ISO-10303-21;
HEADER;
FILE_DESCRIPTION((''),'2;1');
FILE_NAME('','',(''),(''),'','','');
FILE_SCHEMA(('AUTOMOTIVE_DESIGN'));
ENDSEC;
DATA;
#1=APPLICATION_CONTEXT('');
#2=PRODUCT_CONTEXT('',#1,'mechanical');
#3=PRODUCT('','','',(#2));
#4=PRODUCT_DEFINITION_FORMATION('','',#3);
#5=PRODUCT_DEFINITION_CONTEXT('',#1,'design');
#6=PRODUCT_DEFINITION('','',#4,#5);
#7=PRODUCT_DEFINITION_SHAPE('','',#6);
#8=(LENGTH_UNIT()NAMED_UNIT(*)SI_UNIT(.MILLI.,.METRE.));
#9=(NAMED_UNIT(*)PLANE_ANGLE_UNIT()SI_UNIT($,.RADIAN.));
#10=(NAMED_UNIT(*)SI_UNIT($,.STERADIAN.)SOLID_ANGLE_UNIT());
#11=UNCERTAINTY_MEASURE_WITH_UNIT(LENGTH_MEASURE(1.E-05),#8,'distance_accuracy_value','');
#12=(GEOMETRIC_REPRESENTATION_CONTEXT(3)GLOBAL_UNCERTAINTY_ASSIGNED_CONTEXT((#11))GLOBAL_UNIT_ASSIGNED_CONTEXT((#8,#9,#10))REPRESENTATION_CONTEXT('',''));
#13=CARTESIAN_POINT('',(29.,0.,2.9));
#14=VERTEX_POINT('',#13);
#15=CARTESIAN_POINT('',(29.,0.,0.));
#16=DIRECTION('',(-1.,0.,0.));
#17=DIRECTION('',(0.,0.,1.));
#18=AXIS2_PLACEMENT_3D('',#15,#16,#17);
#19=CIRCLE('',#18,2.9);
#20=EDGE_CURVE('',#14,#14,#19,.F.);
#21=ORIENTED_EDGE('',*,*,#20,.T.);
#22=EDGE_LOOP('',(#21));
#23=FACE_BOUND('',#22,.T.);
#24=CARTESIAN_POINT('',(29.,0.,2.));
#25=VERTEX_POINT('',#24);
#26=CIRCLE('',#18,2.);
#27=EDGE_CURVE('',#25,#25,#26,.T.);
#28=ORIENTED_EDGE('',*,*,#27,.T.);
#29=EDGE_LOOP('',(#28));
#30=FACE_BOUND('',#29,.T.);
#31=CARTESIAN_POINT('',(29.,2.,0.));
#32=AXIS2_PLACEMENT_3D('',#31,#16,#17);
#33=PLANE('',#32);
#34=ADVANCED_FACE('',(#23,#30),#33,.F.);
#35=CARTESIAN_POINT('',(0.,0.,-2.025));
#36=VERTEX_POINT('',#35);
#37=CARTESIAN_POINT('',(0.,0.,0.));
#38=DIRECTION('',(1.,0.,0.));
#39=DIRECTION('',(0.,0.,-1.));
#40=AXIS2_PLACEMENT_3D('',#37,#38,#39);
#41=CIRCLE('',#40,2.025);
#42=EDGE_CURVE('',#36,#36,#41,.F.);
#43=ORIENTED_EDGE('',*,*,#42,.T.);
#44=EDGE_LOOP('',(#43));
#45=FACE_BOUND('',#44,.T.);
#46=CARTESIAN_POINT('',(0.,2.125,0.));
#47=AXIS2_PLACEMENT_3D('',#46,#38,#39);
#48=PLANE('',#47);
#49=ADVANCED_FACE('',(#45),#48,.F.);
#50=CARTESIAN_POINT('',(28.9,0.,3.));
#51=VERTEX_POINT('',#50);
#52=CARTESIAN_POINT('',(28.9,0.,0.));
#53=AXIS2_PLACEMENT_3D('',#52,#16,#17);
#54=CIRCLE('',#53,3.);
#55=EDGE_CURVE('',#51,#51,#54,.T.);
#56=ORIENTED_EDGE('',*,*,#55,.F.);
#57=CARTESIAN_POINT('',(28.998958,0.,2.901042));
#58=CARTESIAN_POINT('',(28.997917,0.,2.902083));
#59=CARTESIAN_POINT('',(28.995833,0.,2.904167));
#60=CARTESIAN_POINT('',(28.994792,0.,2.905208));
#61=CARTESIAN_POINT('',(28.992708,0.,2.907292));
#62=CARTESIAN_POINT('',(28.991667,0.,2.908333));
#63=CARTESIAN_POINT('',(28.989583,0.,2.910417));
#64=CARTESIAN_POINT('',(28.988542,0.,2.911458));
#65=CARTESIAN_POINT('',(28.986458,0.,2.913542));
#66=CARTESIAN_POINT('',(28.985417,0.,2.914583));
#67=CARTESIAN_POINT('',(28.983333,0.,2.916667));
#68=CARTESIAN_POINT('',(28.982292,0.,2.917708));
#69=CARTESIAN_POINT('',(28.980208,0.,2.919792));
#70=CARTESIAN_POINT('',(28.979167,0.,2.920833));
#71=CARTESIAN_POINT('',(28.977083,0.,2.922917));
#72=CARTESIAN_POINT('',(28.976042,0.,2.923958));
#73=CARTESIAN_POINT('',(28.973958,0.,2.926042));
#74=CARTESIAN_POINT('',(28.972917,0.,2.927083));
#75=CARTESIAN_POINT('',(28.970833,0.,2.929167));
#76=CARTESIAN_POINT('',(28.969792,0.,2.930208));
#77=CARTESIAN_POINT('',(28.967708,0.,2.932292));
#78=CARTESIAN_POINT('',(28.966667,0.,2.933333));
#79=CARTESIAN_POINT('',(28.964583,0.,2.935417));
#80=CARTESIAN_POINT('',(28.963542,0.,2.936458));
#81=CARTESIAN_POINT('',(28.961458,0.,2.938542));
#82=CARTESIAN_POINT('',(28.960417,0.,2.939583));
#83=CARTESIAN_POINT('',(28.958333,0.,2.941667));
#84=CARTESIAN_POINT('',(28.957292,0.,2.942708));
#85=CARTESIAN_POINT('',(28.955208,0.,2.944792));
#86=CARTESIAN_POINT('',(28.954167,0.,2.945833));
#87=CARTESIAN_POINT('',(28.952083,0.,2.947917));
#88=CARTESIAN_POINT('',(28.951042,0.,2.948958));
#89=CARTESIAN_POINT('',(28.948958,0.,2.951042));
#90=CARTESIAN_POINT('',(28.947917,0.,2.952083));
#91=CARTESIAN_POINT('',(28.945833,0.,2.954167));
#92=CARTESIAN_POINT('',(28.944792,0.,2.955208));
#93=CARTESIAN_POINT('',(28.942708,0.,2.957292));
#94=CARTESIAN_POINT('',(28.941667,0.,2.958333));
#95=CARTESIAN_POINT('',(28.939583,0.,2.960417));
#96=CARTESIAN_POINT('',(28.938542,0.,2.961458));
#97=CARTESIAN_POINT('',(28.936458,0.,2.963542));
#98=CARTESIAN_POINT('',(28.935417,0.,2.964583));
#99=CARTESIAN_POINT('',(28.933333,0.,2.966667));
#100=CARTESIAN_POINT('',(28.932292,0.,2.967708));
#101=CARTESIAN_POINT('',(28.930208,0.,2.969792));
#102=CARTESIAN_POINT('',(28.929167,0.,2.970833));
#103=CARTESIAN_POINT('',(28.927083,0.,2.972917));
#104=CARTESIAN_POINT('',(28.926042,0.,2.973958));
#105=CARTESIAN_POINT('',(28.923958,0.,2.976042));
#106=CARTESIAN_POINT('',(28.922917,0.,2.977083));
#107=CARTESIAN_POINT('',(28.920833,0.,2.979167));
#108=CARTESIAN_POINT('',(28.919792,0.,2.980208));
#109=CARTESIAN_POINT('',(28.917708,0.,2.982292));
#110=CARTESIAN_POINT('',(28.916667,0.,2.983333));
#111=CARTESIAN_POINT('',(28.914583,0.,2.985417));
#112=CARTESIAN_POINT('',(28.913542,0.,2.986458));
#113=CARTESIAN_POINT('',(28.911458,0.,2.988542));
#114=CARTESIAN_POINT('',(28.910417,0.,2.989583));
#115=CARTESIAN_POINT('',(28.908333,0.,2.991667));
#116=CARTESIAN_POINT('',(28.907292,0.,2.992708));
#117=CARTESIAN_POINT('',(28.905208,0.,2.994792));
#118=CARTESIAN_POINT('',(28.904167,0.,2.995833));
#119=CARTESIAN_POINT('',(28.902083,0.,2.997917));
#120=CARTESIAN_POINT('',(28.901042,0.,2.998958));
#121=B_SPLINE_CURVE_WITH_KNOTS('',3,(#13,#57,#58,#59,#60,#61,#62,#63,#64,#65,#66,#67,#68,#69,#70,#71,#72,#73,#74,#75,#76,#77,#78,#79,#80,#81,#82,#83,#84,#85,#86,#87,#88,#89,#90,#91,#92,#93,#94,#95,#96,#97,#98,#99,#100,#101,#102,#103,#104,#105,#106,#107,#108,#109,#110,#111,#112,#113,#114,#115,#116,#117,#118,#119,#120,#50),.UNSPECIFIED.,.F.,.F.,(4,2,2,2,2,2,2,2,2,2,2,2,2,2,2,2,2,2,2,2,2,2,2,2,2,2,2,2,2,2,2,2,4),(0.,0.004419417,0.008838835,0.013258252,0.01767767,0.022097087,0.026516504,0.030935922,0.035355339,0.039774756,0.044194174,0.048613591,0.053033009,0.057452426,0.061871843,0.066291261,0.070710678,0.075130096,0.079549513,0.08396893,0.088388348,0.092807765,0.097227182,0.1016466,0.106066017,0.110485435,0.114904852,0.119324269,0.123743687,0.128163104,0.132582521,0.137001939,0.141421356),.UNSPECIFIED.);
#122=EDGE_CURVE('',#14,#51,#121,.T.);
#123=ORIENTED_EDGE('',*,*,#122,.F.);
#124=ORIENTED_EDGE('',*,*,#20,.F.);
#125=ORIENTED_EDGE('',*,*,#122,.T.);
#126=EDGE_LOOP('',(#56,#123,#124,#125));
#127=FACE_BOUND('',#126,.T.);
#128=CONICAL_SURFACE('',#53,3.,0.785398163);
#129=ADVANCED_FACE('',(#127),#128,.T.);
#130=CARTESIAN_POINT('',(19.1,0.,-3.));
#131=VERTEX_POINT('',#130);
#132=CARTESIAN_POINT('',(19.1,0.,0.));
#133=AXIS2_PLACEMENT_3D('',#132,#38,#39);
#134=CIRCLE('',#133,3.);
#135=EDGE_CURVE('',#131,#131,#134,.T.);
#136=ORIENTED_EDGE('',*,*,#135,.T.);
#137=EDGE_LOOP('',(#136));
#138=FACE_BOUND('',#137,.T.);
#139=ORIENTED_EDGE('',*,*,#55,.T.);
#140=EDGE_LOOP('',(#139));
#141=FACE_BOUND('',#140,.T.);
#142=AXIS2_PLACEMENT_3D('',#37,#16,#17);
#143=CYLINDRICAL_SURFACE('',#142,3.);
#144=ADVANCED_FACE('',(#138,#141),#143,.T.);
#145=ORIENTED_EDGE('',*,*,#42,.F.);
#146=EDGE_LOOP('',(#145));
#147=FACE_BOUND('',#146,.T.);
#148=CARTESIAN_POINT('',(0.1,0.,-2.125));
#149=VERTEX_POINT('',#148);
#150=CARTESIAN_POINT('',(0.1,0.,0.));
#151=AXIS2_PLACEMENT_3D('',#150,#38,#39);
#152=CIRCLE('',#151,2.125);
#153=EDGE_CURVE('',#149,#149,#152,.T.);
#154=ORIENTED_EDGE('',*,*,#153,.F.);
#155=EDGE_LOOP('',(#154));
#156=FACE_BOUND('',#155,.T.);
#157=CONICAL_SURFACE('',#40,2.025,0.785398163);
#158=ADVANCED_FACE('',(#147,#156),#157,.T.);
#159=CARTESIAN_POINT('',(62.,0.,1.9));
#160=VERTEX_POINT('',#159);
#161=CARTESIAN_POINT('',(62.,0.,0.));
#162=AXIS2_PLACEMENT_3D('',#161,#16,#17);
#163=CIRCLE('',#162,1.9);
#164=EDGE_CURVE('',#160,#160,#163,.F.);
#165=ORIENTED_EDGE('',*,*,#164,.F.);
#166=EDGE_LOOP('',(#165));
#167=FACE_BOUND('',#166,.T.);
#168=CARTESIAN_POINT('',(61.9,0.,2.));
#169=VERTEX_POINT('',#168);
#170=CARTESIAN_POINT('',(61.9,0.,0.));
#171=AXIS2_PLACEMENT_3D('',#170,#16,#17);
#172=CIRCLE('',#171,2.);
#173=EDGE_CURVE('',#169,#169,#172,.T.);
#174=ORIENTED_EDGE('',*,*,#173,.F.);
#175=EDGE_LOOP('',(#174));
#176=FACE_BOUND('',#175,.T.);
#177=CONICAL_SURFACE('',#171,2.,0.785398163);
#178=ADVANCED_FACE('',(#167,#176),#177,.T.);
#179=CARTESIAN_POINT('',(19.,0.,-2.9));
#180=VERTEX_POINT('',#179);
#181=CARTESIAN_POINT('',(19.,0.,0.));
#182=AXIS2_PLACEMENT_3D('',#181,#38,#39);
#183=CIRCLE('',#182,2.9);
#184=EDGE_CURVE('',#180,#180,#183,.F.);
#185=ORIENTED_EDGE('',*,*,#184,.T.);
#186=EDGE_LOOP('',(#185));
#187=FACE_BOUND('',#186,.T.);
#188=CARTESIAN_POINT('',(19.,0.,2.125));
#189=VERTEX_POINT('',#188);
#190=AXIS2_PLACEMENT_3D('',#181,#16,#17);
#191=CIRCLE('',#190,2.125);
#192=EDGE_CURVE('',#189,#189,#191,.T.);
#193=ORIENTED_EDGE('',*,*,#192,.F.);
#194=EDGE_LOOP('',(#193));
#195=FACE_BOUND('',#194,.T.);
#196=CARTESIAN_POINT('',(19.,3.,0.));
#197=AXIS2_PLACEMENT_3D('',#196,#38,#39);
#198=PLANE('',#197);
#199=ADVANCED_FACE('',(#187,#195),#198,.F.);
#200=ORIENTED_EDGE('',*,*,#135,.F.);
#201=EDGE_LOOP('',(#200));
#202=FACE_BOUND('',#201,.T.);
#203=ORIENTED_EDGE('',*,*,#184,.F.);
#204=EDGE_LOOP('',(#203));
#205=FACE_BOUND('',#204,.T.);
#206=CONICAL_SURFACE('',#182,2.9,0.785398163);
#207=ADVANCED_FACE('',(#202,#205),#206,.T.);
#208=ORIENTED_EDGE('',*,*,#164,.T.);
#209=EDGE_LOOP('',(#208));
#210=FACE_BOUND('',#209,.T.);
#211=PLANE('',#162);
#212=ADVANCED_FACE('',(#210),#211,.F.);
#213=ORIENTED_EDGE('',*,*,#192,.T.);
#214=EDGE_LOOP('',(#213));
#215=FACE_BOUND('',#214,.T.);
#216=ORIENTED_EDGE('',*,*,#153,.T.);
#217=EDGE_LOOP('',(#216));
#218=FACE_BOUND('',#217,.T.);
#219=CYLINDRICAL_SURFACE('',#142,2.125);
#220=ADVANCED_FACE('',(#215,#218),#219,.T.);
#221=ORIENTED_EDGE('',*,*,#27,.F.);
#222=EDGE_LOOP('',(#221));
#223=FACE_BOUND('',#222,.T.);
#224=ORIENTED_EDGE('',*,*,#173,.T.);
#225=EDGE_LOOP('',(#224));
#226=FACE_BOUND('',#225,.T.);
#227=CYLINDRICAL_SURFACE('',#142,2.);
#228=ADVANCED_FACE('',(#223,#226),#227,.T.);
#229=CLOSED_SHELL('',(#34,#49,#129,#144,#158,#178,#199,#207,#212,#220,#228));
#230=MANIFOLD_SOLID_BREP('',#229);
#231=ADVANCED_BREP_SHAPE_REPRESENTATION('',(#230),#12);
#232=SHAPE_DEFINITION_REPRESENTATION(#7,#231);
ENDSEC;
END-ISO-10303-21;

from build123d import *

# Parameters (mm, degrees)
CHAMFER1_SIZE = 0.1
CHAMFER3_SIZE = 0.1
CHAMFER4_SIZE = 0.1
CHAMFER5_SIZE = 0.1


with BuildPart() as part:
    # Sketch1 → Revolve1 (revolve)
    with BuildSketch(Plane.XY, mode=Mode.PRIVATE) as revolve1_sk:
        Polygon((0, 0), (29, 0), (62, 0), (62, 2), (29, 2), (29, 3), (19, 3), (19, 2.125), (0, 2.125), align=None)
    revolve(revolve1_sk.sketch.rotate(Axis((0, 0, 0), (1, 0, 0)), 90), axis=Axis((0, 0, 0), (1, 0, 0)))

    # Chamfer1
    chamfer1_edges = [part.edges().sort_by_distance(p)[0] for p in [
        (0, 0, -2.125),
    ]]
    chamfer(chamfer1_edges, length=CHAMFER1_SIZE)

    # Chamfer3
    chamfer3_edges = [part.edges().sort_by_distance(p)[0] for p in [
        (29, 0, -3),
    ]]
    chamfer(chamfer3_edges, length=CHAMFER3_SIZE)

    # Chamfer4
    chamfer4_edges = [part.edges().sort_by_distance(p)[0] for p in [
        (62, 0, -2),
    ]]
    chamfer(chamfer4_edges, length=CHAMFER4_SIZE)

    # Chamfer5
    chamfer5_edges = [part.edges().sort_by_distance(p)[0] for p in [
        (19, 0, -3),
    ]]
    chamfer(chamfer5_edges, length=CHAMFER5_SIZE)


solid = part.part
